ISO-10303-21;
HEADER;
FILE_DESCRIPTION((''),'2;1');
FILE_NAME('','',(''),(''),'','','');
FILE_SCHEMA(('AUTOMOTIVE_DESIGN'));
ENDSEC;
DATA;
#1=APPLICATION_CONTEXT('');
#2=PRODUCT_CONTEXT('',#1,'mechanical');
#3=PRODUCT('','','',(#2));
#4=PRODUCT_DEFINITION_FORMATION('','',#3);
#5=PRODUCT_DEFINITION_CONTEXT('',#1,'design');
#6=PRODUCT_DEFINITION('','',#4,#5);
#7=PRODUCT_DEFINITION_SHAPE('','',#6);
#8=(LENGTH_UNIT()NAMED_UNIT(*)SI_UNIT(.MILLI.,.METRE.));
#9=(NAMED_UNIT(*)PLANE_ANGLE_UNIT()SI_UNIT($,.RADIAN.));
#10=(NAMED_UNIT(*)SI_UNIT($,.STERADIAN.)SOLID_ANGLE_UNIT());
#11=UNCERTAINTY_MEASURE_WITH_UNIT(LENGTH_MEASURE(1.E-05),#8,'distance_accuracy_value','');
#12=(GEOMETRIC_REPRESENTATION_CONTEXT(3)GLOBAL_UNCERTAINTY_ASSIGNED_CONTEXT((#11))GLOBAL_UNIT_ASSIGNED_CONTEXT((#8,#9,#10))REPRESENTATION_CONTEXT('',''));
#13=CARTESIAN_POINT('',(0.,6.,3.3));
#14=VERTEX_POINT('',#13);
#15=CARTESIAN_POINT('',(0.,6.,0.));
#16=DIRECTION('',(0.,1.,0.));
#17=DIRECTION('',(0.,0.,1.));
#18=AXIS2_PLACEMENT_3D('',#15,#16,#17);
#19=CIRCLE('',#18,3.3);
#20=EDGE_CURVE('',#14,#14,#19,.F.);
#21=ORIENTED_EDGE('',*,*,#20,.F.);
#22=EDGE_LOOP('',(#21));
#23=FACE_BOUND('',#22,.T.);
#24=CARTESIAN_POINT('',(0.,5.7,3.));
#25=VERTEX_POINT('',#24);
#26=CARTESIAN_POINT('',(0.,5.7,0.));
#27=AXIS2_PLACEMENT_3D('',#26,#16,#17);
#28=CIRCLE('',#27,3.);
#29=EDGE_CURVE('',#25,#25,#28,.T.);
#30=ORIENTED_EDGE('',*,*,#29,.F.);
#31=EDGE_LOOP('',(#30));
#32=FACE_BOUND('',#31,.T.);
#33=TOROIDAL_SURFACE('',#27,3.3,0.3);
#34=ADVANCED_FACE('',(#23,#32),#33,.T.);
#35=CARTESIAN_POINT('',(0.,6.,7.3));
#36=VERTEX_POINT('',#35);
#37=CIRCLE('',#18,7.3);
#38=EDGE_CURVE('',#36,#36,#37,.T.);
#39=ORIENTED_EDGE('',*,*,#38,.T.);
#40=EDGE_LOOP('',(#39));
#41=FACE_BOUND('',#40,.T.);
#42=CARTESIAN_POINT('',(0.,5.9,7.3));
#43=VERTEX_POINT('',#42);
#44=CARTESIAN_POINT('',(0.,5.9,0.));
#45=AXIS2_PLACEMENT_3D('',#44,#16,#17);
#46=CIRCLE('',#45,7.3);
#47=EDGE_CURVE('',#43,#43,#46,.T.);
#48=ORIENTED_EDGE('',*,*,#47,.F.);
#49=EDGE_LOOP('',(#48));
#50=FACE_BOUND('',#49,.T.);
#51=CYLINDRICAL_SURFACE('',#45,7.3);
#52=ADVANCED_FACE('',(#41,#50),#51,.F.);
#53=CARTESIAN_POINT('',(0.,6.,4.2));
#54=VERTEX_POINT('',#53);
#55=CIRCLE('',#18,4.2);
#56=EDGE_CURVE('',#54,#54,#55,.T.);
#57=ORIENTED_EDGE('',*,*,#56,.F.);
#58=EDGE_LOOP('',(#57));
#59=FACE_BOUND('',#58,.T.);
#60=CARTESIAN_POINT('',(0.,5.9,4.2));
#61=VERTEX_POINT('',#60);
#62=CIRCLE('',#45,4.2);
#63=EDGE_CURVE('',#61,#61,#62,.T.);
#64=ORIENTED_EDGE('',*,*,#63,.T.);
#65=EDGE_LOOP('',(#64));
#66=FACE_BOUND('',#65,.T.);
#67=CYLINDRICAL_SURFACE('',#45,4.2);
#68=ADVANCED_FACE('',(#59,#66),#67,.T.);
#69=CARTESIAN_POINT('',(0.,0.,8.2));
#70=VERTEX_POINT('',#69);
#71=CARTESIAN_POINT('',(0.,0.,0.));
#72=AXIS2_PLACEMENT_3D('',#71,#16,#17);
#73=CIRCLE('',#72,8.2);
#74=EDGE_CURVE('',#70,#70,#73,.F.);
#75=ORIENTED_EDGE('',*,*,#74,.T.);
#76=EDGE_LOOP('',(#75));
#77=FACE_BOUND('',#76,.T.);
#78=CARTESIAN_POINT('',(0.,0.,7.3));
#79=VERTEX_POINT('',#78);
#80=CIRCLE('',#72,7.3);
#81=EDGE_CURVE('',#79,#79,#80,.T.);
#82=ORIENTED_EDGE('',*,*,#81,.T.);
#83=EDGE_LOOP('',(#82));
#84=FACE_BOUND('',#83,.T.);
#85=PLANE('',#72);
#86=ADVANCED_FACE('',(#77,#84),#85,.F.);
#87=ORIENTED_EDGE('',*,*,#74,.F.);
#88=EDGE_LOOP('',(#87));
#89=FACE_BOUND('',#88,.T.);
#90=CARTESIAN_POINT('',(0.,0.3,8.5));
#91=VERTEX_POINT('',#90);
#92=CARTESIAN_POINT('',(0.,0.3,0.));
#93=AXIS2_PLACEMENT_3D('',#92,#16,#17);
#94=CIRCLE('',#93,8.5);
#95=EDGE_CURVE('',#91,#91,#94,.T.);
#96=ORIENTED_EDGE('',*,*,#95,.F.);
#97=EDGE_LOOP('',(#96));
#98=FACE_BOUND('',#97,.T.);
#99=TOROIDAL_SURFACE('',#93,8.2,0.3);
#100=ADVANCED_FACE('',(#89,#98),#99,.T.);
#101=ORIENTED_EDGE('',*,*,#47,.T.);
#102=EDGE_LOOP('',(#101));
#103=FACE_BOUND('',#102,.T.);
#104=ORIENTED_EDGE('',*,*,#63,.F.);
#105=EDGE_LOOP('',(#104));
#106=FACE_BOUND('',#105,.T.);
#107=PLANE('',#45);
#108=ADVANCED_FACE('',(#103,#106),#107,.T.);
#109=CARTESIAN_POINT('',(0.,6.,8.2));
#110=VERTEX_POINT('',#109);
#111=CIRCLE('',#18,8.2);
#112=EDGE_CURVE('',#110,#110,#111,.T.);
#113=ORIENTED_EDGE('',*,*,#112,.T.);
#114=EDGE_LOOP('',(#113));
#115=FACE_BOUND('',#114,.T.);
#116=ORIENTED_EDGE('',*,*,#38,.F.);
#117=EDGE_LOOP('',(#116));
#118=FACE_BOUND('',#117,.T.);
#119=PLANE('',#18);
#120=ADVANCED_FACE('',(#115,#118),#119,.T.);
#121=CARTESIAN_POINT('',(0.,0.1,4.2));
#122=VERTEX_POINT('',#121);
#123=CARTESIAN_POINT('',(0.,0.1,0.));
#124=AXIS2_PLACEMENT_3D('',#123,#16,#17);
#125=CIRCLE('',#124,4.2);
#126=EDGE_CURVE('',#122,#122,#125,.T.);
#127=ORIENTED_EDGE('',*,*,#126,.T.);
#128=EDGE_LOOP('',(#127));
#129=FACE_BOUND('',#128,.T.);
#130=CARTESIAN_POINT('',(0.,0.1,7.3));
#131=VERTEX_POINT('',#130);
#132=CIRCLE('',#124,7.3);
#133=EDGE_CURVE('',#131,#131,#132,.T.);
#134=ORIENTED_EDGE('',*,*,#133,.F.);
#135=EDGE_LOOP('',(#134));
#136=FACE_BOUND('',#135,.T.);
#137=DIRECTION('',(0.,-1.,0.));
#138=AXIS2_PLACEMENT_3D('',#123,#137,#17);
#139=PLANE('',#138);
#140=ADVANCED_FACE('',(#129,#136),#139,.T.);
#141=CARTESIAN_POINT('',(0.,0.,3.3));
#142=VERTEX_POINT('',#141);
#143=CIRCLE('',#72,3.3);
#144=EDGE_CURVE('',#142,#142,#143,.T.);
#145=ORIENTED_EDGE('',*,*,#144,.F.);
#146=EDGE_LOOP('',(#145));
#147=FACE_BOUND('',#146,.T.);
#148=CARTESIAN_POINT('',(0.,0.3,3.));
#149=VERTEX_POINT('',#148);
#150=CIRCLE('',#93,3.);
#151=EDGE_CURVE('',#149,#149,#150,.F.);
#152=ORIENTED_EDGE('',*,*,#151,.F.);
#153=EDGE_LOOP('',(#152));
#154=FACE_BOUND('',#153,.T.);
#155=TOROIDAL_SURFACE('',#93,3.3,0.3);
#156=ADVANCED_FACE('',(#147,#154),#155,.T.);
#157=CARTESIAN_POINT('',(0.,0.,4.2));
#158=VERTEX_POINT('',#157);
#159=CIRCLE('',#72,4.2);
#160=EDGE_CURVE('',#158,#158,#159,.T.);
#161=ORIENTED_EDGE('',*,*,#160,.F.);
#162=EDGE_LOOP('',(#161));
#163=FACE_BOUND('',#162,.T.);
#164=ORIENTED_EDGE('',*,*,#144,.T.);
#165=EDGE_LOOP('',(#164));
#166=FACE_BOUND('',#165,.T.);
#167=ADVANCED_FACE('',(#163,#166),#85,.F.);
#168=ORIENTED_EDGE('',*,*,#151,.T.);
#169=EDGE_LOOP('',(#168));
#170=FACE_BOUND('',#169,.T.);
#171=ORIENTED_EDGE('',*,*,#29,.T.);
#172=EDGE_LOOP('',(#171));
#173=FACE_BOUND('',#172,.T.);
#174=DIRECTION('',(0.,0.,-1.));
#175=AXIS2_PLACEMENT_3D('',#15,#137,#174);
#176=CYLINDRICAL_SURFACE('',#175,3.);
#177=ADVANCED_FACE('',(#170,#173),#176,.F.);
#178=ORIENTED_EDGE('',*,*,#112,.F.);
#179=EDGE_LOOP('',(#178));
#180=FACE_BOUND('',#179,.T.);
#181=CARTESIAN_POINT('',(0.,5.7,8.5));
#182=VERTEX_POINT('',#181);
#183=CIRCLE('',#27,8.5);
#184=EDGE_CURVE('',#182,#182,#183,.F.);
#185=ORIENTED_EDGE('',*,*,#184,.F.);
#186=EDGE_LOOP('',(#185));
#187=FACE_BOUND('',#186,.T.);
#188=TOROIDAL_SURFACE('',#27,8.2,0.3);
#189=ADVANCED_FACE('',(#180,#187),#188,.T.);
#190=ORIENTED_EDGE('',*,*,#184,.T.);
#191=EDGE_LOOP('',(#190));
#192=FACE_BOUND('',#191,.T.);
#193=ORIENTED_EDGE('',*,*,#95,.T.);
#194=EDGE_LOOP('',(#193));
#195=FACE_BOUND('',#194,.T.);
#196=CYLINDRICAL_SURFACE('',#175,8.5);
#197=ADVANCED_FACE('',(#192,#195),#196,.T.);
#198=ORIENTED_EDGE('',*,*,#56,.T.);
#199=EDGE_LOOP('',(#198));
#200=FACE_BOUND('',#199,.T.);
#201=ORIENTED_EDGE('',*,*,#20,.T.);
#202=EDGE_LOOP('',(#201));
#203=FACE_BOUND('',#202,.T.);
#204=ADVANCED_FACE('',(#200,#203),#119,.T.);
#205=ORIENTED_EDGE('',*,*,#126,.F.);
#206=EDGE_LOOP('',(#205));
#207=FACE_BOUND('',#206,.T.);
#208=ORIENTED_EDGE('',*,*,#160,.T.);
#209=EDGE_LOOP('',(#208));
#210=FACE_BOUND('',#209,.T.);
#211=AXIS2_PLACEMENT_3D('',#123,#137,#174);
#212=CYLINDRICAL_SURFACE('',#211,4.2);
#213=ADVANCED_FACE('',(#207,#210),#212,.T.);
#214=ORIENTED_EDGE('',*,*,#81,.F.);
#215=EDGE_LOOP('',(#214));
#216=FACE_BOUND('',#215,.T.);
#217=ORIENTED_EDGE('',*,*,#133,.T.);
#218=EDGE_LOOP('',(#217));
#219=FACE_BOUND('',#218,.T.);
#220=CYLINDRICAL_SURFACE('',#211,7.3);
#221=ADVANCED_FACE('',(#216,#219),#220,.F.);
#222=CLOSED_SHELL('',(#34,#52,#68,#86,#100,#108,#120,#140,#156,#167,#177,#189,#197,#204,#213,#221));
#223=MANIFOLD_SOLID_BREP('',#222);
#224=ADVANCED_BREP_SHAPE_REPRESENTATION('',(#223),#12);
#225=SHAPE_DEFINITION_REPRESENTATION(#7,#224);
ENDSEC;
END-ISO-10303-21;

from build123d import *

# Parameters (mm, degrees)
CROQUIS1_R              = 8.5
CROQUIS1_R_2            = 3
SALIENTE_EXTRUIR1_DEPTH = 6
CROQUIS2_R              = 7.3
CROQUIS2_R_2            = 4.2
CORTAR_EXTRUIR1_DEPTH   = 0.1
REDONDEO1_R             = 0.3


with BuildPart() as part:
    # Croquis1 → Saliente-Extruir1 (new body)
    with BuildSketch(Plane(origin=(0, 0, 0), x_dir=(1, 0, 0), z_dir=(0, 1, 0))):
        with Locations(Location((0, 0, 0), (0, 0, 270))):
            Circle(CROQUIS1_R)
        with Locations(Location((0, 0, 0), (0, 0, 270))):
            Circle(CROQUIS1_R_2, mode=Mode.SUBTRACT)
    extrude(amount=SALIENTE_EXTRUIR1_DEPTH)

    # Croquis2 → Cortar-Extruir1 (cut)
    with BuildSketch(Plane(origin=(0, 6, 0), x_dir=(1, 0, 0), z_dir=(0, 1, 0))):
        with Locations(Location((0, 0, 0), (0, 0, 270))):
            Circle(CROQUIS2_R)
        with Locations(Location((0, 0, 0), (0, 0, 270))):
            Circle(CROQUIS2_R_2, mode=Mode.SUBTRACT)
    cortar_extruir1 = extrude(amount=-CORTAR_EXTRUIR1_DEPTH, mode=Mode.SUBTRACT)

    # Simetría1: Cortar-Extruir1 across plane
    add(cortar_extruir1.mirror(Plane.ZX.offset(3)), mode=Mode.SUBTRACT)

    # Redondeo1
    redondeo1_edges = [part.edges().sort_by_distance(p)[0] for p in [
        (0, 0, -8.5),
        (0, 6, -8.5),
        (0, 0, -3),
        (0, 6, -3),
    ]]
    fillet(redondeo1_edges, radius=REDONDEO1_R)


solid = part.part
